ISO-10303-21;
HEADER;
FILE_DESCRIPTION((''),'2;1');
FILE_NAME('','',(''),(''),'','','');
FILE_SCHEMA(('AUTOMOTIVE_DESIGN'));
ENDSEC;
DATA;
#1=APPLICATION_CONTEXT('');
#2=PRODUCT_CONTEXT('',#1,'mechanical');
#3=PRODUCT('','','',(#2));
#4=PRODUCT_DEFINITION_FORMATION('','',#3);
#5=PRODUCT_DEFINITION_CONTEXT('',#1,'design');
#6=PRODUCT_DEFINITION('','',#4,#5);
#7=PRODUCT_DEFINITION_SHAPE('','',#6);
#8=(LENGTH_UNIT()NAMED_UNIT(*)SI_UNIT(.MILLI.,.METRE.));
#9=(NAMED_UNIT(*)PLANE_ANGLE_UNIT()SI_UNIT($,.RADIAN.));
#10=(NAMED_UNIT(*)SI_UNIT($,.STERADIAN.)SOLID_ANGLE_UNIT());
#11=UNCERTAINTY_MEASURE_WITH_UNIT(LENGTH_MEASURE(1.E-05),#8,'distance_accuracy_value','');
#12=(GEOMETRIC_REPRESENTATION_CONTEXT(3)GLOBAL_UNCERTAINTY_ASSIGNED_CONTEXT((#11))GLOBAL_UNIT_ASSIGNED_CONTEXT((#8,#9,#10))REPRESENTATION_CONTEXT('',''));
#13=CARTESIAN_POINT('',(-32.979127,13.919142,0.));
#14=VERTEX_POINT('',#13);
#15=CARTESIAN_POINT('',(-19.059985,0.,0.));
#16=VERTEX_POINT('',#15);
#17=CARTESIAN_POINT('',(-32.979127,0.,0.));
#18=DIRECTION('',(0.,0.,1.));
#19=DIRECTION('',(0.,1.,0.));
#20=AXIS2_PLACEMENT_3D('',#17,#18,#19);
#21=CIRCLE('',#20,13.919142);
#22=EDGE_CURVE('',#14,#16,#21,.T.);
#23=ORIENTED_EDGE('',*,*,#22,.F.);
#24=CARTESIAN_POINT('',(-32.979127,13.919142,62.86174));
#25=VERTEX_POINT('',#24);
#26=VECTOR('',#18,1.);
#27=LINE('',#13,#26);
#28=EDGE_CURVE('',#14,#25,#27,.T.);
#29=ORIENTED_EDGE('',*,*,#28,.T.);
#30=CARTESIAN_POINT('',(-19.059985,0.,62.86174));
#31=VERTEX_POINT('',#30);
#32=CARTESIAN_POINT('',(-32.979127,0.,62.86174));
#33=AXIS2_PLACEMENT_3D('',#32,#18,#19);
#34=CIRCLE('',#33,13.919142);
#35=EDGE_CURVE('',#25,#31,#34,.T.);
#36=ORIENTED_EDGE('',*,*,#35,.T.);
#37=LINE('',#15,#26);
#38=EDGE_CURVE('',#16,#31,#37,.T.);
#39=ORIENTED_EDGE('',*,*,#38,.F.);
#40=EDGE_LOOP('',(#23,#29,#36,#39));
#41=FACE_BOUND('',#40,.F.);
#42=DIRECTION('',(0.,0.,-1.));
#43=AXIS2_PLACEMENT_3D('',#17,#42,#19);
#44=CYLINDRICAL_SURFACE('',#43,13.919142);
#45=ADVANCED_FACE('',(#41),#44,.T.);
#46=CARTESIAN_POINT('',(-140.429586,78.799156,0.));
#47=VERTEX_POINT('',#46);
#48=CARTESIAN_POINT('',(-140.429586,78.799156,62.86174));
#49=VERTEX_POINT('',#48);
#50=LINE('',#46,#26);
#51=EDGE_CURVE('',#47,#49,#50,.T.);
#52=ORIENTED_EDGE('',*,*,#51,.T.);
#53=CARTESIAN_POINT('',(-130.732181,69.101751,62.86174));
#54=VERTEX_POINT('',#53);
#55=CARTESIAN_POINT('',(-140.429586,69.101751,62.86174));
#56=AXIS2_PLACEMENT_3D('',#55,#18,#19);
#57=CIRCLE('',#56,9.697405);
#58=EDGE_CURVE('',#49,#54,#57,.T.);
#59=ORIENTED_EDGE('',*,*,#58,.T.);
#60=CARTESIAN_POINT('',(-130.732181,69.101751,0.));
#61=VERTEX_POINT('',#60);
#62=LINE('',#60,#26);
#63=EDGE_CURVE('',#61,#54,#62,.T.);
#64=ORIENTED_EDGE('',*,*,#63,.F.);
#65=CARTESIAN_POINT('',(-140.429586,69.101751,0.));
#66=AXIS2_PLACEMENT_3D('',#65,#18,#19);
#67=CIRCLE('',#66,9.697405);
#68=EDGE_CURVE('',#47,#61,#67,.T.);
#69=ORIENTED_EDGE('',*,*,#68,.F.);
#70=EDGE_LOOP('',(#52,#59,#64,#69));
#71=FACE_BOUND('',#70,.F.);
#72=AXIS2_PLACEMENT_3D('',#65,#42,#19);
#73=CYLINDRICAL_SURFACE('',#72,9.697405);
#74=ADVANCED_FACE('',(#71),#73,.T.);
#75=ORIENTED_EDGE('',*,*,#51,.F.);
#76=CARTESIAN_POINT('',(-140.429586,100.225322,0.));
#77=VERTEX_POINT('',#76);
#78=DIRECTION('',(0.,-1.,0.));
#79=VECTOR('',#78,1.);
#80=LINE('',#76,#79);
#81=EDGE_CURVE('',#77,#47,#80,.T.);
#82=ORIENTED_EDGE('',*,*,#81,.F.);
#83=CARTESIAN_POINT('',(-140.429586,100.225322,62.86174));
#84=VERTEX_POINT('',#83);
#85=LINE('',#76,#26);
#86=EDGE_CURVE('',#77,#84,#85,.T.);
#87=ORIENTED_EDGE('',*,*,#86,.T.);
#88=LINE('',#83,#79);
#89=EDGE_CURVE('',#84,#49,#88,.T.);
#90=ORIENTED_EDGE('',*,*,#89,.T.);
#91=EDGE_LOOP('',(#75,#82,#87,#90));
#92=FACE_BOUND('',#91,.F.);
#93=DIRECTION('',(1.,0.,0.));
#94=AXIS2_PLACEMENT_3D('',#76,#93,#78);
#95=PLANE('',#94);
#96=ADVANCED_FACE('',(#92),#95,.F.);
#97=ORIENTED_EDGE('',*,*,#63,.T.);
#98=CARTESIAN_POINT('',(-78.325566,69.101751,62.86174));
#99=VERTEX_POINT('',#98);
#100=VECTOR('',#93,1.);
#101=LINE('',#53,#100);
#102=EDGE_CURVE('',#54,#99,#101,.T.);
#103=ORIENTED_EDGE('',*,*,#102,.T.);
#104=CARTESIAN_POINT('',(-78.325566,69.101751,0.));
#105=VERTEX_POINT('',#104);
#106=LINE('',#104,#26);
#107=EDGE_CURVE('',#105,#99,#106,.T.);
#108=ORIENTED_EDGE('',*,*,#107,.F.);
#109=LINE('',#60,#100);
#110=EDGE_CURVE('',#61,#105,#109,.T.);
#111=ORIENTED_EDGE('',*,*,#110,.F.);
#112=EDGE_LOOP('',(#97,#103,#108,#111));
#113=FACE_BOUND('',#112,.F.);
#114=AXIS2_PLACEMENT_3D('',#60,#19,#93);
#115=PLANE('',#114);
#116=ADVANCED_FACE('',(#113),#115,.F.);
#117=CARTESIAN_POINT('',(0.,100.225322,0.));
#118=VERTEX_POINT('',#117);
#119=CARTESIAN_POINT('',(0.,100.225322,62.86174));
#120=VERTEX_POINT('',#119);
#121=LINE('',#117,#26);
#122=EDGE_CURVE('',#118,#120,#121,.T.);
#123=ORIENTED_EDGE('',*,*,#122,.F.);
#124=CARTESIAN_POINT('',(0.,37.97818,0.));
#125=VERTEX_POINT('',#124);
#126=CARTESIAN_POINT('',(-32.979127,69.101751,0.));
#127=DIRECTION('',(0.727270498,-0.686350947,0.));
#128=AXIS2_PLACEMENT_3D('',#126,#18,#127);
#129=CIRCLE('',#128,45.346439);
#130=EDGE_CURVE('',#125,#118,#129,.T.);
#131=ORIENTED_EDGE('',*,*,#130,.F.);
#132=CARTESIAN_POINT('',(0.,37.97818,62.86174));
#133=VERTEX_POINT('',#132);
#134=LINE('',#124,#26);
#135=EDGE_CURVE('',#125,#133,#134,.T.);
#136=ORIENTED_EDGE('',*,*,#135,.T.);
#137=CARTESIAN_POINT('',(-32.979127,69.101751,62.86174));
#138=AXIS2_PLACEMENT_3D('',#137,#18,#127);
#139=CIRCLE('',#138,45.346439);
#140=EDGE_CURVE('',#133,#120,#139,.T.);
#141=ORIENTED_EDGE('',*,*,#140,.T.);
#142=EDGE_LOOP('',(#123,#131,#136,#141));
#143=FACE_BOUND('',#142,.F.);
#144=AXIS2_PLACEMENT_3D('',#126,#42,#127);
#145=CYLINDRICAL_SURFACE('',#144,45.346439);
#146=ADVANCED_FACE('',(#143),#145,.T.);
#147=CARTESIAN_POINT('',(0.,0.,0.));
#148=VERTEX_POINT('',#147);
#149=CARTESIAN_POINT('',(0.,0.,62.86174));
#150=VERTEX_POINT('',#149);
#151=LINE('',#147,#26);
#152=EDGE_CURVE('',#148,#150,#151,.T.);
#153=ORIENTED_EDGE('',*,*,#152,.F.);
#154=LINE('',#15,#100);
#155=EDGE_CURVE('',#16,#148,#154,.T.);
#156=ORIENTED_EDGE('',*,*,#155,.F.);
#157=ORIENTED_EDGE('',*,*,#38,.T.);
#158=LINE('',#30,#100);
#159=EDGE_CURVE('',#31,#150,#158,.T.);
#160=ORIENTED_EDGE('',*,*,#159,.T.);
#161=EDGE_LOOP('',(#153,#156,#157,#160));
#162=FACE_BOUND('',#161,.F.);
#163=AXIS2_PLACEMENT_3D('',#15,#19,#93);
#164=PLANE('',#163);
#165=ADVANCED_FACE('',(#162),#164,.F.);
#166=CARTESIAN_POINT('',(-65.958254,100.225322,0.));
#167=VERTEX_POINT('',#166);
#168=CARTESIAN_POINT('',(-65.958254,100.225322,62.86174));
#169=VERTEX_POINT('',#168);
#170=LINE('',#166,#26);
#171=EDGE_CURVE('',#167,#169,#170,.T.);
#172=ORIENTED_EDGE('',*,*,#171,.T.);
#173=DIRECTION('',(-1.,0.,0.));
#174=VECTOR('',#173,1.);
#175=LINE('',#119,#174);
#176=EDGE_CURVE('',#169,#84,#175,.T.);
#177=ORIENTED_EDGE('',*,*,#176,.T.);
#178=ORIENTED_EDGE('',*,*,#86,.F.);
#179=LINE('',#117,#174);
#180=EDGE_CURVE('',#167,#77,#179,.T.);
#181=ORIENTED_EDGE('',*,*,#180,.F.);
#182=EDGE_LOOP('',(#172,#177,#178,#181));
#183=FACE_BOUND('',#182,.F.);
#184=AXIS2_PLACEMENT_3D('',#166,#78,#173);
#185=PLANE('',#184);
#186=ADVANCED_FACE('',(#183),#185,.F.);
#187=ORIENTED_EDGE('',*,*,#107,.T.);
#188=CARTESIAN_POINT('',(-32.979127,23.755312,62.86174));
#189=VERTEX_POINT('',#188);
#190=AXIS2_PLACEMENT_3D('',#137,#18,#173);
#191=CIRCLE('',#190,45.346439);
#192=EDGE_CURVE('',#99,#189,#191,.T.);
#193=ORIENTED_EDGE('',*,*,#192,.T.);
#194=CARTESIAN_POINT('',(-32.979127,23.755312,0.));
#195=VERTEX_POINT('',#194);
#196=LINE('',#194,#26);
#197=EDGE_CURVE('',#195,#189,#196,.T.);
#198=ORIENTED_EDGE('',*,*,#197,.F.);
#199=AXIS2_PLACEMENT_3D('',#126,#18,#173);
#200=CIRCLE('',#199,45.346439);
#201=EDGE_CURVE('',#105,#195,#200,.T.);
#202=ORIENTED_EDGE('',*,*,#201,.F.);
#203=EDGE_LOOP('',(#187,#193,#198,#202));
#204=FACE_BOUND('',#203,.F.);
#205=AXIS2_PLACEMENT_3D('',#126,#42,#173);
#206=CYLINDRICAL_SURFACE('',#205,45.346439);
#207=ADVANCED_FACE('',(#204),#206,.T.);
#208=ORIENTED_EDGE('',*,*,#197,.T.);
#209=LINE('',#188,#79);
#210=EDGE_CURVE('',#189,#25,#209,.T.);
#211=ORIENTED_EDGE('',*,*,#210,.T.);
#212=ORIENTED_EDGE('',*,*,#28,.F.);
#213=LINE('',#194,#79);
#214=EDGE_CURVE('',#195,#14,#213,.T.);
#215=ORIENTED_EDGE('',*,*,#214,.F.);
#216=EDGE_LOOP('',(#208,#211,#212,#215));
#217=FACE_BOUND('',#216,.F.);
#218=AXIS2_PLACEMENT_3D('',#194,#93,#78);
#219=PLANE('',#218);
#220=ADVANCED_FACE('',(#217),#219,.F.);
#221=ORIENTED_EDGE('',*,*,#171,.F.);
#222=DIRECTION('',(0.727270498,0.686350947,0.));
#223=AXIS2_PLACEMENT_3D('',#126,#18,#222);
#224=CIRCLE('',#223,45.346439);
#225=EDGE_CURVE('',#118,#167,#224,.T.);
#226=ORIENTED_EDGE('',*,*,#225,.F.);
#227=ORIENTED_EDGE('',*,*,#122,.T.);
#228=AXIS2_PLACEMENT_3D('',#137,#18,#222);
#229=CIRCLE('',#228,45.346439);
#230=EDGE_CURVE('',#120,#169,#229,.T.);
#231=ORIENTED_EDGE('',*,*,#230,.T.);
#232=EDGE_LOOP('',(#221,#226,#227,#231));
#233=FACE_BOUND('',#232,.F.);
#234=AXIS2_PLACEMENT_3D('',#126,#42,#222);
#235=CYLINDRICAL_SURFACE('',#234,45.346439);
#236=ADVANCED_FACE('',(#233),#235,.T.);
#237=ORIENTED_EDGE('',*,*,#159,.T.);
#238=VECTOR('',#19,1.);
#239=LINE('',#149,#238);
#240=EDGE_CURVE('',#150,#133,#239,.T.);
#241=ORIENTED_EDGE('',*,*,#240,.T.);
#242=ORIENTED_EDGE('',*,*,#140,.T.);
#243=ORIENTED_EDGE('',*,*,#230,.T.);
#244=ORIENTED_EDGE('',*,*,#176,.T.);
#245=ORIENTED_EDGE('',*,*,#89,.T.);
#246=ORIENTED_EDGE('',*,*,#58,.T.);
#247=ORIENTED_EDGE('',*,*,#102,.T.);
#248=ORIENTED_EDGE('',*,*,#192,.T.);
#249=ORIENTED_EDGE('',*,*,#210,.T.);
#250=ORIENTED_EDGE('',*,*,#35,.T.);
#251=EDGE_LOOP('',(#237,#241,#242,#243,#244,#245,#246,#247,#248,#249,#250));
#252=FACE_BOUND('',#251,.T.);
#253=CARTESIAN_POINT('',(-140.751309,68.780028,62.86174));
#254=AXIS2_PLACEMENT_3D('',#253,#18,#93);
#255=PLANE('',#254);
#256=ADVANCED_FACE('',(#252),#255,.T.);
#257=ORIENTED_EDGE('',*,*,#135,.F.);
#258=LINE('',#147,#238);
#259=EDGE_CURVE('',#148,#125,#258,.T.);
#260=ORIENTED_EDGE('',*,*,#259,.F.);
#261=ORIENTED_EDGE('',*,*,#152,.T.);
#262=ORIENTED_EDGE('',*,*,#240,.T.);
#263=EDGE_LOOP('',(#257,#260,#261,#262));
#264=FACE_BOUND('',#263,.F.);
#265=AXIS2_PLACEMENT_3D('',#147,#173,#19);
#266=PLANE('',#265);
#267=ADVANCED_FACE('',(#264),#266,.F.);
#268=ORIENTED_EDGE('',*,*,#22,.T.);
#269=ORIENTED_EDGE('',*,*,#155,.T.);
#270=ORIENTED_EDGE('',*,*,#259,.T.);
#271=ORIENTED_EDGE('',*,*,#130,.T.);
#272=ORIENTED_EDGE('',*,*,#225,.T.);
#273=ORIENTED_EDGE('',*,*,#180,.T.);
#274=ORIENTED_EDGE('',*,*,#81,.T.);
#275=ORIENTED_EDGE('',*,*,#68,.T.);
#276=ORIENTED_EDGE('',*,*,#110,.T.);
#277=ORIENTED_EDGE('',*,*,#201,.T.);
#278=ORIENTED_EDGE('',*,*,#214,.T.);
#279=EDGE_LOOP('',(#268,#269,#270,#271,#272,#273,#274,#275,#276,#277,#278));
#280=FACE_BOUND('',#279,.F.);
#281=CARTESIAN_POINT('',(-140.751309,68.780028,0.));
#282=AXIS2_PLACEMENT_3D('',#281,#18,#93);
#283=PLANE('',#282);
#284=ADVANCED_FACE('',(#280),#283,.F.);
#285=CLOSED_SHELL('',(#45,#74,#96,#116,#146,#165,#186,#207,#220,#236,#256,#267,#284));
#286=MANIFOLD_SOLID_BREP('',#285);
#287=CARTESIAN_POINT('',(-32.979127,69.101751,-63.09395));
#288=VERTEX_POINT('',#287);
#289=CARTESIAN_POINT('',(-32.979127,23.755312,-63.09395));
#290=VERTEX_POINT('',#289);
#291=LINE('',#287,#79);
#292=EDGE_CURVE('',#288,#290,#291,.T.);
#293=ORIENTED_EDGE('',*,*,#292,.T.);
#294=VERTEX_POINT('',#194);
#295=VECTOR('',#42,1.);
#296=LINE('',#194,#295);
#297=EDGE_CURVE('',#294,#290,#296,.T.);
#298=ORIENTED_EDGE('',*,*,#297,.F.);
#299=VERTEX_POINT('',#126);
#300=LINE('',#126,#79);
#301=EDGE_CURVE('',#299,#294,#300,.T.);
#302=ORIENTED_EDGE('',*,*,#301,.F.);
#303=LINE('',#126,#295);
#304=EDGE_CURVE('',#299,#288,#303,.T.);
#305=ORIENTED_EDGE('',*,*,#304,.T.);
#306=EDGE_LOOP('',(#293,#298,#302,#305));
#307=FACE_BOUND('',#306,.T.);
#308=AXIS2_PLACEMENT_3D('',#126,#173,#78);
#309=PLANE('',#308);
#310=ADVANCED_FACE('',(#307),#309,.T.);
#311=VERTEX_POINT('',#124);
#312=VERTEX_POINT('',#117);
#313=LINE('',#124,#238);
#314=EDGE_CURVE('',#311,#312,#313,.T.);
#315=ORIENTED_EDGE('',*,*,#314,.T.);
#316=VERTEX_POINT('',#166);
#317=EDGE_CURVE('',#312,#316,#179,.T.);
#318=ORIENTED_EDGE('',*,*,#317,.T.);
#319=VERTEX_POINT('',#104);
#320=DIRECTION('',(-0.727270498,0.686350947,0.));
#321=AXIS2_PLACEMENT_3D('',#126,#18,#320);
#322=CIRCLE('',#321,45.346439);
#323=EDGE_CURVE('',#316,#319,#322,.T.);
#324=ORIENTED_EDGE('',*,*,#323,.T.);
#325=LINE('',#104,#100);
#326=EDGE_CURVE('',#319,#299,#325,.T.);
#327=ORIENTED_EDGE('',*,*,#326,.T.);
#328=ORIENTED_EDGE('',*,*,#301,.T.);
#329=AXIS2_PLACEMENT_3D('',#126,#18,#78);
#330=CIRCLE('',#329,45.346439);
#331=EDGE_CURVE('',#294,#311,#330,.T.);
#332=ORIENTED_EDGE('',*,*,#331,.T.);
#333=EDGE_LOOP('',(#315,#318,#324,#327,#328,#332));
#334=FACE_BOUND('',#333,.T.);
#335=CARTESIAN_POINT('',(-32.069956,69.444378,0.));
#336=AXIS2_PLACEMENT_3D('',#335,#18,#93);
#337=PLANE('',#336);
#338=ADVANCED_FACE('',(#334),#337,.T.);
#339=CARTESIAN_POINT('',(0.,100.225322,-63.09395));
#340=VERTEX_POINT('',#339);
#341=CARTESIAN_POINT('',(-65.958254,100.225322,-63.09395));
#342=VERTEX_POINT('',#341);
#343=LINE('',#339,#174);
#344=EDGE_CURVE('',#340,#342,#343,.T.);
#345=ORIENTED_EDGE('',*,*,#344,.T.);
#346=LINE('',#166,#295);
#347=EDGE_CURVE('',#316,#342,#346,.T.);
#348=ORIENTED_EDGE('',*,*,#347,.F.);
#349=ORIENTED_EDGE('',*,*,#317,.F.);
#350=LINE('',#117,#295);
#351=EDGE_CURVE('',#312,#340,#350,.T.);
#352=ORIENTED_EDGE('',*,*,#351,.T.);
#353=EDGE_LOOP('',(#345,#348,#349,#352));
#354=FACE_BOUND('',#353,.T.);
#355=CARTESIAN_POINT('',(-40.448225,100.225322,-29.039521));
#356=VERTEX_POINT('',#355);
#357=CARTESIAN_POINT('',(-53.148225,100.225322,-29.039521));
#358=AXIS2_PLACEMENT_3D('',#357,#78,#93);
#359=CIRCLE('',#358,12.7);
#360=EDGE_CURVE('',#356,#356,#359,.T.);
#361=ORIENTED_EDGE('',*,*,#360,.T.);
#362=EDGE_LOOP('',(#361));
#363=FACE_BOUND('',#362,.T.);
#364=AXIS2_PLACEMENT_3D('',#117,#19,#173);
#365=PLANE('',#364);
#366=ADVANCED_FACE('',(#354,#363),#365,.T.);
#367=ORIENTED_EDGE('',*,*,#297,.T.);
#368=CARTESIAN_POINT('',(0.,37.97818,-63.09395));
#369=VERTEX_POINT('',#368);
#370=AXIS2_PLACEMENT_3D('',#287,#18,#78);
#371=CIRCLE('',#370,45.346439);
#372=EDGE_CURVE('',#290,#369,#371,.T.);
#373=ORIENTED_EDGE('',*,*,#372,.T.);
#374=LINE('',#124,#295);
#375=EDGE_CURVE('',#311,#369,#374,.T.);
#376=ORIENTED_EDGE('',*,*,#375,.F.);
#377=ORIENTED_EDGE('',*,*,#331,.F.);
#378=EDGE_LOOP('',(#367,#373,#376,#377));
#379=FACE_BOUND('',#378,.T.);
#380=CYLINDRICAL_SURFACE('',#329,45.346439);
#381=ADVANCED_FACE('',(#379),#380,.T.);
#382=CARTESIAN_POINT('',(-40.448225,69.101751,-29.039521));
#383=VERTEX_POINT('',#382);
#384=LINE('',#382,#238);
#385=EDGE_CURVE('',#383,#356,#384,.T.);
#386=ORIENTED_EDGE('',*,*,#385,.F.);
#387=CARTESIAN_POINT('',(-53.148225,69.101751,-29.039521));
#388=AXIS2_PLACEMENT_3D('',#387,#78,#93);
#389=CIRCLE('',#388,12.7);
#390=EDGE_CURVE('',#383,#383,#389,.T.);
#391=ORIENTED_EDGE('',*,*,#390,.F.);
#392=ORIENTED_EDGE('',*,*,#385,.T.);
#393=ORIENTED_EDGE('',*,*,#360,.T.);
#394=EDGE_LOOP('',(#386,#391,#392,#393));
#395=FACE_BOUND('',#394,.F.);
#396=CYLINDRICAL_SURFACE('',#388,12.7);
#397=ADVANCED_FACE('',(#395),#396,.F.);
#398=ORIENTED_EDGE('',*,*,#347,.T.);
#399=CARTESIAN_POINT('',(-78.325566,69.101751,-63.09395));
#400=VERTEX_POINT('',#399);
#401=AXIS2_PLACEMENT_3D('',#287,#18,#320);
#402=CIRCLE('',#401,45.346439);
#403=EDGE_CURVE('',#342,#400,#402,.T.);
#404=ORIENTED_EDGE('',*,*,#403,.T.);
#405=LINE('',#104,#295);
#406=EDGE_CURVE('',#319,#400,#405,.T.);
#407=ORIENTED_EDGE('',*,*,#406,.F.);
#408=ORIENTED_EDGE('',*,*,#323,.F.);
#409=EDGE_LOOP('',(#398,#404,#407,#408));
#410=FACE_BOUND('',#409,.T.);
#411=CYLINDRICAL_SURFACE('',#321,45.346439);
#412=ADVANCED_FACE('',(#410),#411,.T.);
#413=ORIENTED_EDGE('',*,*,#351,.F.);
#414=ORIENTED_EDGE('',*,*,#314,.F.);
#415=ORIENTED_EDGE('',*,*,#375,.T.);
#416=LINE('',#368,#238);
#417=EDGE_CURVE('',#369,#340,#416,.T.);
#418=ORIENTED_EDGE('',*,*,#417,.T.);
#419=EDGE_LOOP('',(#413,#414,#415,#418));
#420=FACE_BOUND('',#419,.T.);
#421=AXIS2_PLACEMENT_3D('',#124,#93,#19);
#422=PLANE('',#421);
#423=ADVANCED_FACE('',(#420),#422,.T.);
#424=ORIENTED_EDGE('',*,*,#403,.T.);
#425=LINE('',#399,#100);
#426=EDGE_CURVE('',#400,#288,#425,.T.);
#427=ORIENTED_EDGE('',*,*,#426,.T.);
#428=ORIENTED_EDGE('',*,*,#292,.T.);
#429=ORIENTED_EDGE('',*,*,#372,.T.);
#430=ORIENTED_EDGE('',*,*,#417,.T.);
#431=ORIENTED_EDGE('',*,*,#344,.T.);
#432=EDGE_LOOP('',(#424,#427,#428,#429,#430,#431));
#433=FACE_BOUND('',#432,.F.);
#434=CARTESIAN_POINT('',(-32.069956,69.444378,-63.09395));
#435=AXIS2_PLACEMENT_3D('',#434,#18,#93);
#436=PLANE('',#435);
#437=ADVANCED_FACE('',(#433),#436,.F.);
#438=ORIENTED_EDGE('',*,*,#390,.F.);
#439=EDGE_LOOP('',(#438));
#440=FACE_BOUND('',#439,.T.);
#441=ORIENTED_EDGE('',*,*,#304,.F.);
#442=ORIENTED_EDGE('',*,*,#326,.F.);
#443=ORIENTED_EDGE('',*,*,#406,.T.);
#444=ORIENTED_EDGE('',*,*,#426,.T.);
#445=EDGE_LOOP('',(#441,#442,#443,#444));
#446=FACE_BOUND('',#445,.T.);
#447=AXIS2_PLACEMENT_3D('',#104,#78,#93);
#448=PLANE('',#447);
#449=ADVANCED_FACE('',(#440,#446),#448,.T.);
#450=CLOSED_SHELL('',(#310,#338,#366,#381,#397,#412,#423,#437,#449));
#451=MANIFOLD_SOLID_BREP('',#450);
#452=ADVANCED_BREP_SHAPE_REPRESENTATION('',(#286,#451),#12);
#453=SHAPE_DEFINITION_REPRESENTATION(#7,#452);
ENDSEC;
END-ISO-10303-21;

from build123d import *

# Parameters (mm, degrees)
F1_DEPTH = 62.86174
F2_DEPTH = 63.09395
F3_R     = 12.7
F4_DEPTH = 54.77137


with BuildPart() as f1:
    # F0 (on Top) → F1 (new body)
    with BuildSketch(Plane.XY):
        with BuildLine():
            ThreePointArc((-140.4295861721, 78.7991555305), (-147.2866867811, 62.2446502417), (-130.7321814923, 69.1017508507))
            Line((-130.7321814923, 69.1017508507), (-140.4295861721, 69.1017508507))
            Line((-140.4295861721, 69.1017508507), (-140.4295861721, 78.7991555305))
        make_face()
        with BuildLine():
            ThreePointArc((-32.9791270196, 13.9191422166), (-42.8214468693, -9.8423198497), (-19.059984803, 0))
            Line((-19.059984803, 0), (-32.9791270196, 0))
            Line((-32.9791270196, 0), (-32.9791270196, 13.9191422166))
        make_face()
        with BuildLine():
            ThreePointArc((-78.3255656545, 69.1017508507), (-65.043901281, 37.0369765893), (-32.9791270196, 23.7553122159))
            Line((-32.9791270196, 23.7553122159), (-32.9791270196, 69.1017508507))
            Line((-32.9791270196, 69.1017508507), (-78.3255656545, 69.1017508507))
        make_face()
        with BuildLine():
            Line((0, 100.2253219485), (0, 37.9781797528))
            ThreePointArc((0, 37.9781797528), (9.1622152495, 52.3564001939), (12.3673116152, 69.1017508507))
            ThreePointArc((12.3673116152, 69.1017508507), (9.1622152495, 85.8471015074), (0, 100.2253219485))
        make_face()
        with BuildLine():
            Line((-19.059984803, 0), (0, 0))
            Line((0, 0), (0, 37.9781797528))
            ThreePointArc((0, 37.9781797528), (-15.0214491356, 27.4625709611), (-32.9791270196, 23.7553122159))
            Line((-32.9791270196, 23.7553122159), (-32.9791270196, 13.9191422166))
            ThreePointArc((-32.9791270196, 13.9191422166), (-23.13680717, 9.8423198497), (-19.059984803, 0))
        make_face()
        with BuildLine():
            Line((-32.9791270196, 0), (-19.059984803, 0))
            ThreePointArc((-19.059984803, 0), (-23.13680717, 9.8423198497), (-32.9791270196, 13.9191422166))
            Line((-32.9791270196, 13.9191422166), (-32.9791270196, 0))
        make_face()
        with BuildLine():
            ThreePointArc((-78.3255656545, 69.1017508507), (-75.1204692888, 85.8471015074), (-65.9582540393, 100.2253219485))
            Line((-65.9582540393, 100.2253219485), (-140.4295861721, 100.2253219485))
            Line((-140.4295861721, 100.2253219485), (-140.4295861721, 78.7991555305))
            ThreePointArc((-140.4295861721, 78.7991555305), (-133.5724855631, 75.9588514597), (-130.7321814923, 69.1017508507))
            Line((-130.7321814923, 69.1017508507), (-78.3255656545, 69.1017508507))
        make_face()
        with BuildLine():
            Line((-140.4295861721, 69.1017508507), (-130.7321814923, 69.1017508507))
            ThreePointArc((-130.7321814923, 69.1017508507), (-133.5724855631, 75.9588514597), (-140.4295861721, 78.7991555305))
            Line((-140.4295861721, 78.7991555305), (-140.4295861721, 69.1017508507))
        make_face()
        with BuildLine():
            ThreePointArc((-32.9791270196, 23.7553122159), (-15.0214491356, 27.4625709611), (0, 37.9781797528))
            Line((0, 37.9781797528), (0, 100.2253219485))
            Line((0, 100.2253219485), (-65.9582540393, 100.2253219485))
            ThreePointArc((-65.9582540393, 100.2253219485), (-75.1204692888, 85.8471015074), (-78.3255656545, 69.1017508507))
            Line((-78.3255656545, 69.1017508507), (-32.9791270196, 69.1017508507))
            Line((-32.9791270196, 69.1017508507), (-32.9791270196, 23.7553122159))
        make_face()
        with BuildLine():
            Line((-65.9582540393, 100.2253219485), (0, 100.2253219485))
            ThreePointArc((0, 100.2253219485), (-32.9791270196, 114.4481894855), (-65.9582540393, 100.2253219485))
        make_face()
    extrude(amount=F1_DEPTH)


with BuildPart() as f2:
    # F0 (on Top) → F2 (new body)
    with BuildSketch(Plane.XY):
        with BuildLine():
            ThreePointArc((-32.9791270196, 23.7553122159), (-15.0214491356, 27.4625709611), (0, 37.9781797528))
            Line((0, 37.9781797528), (0, 100.2253219485))
            Line((0, 100.2253219485), (-65.9582540393, 100.2253219485))
            ThreePointArc((-65.9582540393, 100.2253219485), (-75.1204692888, 85.8471015074), (-78.3255656545, 69.1017508507))
            Line((-78.3255656545, 69.1017508507), (-32.9791270196, 69.1017508507))
            Line((-32.9791270196, 69.1017508507), (-32.9791270196, 23.7553122159))
        make_face()
    extrude(amount=-F2_DEPTH)

    # F3 (on face) → F4 (cut)
    with BuildSketch(Plane.XZ.offset(-69.1017508507)):
        with Locations((-53.148225101, -29.0395207848)):
            Circle(F3_R)
    extrude(amount=-F4_DEPTH, mode=Mode.SUBTRACT)


solid = Compound([f1.part, f2.part])
